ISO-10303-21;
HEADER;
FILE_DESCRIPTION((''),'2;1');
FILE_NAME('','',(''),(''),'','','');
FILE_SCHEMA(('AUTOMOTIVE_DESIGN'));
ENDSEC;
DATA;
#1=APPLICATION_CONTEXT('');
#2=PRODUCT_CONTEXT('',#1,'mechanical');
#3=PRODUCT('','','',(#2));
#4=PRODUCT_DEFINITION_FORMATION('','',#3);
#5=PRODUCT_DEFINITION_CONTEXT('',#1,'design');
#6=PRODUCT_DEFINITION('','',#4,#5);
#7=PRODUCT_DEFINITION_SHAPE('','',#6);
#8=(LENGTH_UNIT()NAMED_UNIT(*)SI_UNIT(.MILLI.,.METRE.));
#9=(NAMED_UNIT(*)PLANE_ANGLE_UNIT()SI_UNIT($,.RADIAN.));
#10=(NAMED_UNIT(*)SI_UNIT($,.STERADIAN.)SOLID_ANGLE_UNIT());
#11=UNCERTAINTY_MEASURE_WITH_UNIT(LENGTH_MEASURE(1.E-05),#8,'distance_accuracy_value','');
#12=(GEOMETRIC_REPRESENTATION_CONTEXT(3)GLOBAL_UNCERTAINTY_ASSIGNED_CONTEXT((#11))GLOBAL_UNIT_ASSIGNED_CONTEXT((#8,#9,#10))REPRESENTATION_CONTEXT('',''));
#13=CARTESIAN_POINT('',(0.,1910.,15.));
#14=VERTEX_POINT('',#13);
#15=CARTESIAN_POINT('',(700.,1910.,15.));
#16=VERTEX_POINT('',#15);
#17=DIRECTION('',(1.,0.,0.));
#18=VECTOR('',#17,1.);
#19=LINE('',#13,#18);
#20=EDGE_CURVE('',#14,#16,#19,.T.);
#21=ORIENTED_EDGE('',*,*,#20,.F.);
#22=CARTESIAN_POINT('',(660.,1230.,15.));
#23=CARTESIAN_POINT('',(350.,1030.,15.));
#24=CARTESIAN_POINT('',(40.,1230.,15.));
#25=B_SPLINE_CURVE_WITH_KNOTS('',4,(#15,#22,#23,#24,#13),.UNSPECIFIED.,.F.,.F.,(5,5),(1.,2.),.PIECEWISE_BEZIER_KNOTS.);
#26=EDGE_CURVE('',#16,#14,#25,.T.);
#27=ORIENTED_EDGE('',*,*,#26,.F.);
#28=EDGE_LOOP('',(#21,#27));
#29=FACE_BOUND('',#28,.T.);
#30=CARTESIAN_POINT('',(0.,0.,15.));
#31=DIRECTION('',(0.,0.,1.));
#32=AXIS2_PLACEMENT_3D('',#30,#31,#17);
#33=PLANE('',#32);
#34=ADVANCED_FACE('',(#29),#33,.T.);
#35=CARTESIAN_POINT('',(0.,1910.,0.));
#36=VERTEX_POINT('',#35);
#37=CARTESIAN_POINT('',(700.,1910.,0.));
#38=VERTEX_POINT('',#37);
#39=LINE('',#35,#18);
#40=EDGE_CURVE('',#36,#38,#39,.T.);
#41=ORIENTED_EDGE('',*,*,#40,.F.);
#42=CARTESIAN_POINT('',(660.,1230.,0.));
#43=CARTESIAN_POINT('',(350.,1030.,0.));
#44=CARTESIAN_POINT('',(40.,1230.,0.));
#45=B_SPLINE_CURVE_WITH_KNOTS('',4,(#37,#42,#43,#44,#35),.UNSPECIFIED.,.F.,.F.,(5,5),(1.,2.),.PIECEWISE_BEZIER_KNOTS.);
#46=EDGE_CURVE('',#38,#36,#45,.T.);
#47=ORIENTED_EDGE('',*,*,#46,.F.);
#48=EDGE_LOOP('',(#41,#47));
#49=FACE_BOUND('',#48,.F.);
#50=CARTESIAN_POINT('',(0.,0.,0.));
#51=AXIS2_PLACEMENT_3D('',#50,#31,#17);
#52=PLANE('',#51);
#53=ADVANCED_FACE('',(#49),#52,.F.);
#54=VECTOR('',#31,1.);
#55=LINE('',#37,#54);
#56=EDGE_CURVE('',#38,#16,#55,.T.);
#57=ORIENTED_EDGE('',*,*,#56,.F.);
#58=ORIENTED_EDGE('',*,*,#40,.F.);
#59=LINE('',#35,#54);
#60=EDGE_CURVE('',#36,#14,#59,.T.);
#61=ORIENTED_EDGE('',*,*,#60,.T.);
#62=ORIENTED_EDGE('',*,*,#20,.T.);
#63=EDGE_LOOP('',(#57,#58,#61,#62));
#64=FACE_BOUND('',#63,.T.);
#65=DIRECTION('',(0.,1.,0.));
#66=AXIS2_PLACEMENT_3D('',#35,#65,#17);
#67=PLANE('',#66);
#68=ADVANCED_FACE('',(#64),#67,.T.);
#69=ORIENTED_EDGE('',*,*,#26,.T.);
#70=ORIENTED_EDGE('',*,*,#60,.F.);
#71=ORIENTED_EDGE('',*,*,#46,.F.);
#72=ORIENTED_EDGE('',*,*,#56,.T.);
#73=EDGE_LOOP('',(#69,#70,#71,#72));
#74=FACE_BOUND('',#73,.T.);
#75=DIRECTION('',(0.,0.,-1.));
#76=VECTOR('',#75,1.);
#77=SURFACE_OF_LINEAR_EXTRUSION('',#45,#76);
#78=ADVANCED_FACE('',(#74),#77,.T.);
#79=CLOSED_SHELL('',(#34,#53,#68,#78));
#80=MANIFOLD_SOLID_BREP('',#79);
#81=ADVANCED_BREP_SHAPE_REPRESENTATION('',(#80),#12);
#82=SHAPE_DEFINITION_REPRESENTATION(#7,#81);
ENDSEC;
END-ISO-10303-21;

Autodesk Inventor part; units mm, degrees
ref_plane "YZ Plane" through (0, 0, 0) normal (1, 0, 0) x (0, 1, 0)
ref_plane "XZ Plane" through (0, 0, 0) normal (0, 1, 0) x (-1, 0, 0)
ref_plane "XY Plane" through (0, 0, 0) normal (0, 0, 1) x (1, 0, 0)
ref_plane "Work Plane1" through (0, 0, 0) normal (0, 0, 1) x (1, 0, 0)
sketch "Sketch1" plane through (0, 0, 0) normal (0, 0, 1) x (1, 0, 0)
  line L0 (0, 0) -> (700, 0) projected
  line L1 (700, 0) -> (700, 1930) projected
  line L2 (0, 1930) -> (700, 1930) projected
  line L3 (0, 0) -> (0, 1930) projected
  line L4 (700, 1910) -> (660, 1230) construction
  line L5 (40, 1230) -> (0, 1910) construction
  spline S0 degree 4 poles (700, 1910) (660, 1230) (350, 1030) (40, 1230) (0, 1910) knots 1 1 1 1 1 2 2 2 2 2
  line L6 (660, 1230) -> (350, 1030) construction
  line L7 (350, 1030) -> (40, 1230) construction
  line L8 (699.3756, 1930) -> (0, 1930)
  line L9 (0, 1930) -> (0, 1910)
  line L10 (0, 1910) -> (700, 1910)
  line L11 (700, 1910) -> (700, 1930)
  point P0 (0, 1910)
  dimension "d0" = 700
  dimension "d1" = 900
  dimension "d2" = 350
  dimension "d3" = 350
  dimension "d4" = 40
  dimension "d5" = 40
  dimension "d8" = 20
extrude "Extrusion1" add sketch "Sketch1" along normal blind 15 contours L10 S0
properties part number "back-flaps"
